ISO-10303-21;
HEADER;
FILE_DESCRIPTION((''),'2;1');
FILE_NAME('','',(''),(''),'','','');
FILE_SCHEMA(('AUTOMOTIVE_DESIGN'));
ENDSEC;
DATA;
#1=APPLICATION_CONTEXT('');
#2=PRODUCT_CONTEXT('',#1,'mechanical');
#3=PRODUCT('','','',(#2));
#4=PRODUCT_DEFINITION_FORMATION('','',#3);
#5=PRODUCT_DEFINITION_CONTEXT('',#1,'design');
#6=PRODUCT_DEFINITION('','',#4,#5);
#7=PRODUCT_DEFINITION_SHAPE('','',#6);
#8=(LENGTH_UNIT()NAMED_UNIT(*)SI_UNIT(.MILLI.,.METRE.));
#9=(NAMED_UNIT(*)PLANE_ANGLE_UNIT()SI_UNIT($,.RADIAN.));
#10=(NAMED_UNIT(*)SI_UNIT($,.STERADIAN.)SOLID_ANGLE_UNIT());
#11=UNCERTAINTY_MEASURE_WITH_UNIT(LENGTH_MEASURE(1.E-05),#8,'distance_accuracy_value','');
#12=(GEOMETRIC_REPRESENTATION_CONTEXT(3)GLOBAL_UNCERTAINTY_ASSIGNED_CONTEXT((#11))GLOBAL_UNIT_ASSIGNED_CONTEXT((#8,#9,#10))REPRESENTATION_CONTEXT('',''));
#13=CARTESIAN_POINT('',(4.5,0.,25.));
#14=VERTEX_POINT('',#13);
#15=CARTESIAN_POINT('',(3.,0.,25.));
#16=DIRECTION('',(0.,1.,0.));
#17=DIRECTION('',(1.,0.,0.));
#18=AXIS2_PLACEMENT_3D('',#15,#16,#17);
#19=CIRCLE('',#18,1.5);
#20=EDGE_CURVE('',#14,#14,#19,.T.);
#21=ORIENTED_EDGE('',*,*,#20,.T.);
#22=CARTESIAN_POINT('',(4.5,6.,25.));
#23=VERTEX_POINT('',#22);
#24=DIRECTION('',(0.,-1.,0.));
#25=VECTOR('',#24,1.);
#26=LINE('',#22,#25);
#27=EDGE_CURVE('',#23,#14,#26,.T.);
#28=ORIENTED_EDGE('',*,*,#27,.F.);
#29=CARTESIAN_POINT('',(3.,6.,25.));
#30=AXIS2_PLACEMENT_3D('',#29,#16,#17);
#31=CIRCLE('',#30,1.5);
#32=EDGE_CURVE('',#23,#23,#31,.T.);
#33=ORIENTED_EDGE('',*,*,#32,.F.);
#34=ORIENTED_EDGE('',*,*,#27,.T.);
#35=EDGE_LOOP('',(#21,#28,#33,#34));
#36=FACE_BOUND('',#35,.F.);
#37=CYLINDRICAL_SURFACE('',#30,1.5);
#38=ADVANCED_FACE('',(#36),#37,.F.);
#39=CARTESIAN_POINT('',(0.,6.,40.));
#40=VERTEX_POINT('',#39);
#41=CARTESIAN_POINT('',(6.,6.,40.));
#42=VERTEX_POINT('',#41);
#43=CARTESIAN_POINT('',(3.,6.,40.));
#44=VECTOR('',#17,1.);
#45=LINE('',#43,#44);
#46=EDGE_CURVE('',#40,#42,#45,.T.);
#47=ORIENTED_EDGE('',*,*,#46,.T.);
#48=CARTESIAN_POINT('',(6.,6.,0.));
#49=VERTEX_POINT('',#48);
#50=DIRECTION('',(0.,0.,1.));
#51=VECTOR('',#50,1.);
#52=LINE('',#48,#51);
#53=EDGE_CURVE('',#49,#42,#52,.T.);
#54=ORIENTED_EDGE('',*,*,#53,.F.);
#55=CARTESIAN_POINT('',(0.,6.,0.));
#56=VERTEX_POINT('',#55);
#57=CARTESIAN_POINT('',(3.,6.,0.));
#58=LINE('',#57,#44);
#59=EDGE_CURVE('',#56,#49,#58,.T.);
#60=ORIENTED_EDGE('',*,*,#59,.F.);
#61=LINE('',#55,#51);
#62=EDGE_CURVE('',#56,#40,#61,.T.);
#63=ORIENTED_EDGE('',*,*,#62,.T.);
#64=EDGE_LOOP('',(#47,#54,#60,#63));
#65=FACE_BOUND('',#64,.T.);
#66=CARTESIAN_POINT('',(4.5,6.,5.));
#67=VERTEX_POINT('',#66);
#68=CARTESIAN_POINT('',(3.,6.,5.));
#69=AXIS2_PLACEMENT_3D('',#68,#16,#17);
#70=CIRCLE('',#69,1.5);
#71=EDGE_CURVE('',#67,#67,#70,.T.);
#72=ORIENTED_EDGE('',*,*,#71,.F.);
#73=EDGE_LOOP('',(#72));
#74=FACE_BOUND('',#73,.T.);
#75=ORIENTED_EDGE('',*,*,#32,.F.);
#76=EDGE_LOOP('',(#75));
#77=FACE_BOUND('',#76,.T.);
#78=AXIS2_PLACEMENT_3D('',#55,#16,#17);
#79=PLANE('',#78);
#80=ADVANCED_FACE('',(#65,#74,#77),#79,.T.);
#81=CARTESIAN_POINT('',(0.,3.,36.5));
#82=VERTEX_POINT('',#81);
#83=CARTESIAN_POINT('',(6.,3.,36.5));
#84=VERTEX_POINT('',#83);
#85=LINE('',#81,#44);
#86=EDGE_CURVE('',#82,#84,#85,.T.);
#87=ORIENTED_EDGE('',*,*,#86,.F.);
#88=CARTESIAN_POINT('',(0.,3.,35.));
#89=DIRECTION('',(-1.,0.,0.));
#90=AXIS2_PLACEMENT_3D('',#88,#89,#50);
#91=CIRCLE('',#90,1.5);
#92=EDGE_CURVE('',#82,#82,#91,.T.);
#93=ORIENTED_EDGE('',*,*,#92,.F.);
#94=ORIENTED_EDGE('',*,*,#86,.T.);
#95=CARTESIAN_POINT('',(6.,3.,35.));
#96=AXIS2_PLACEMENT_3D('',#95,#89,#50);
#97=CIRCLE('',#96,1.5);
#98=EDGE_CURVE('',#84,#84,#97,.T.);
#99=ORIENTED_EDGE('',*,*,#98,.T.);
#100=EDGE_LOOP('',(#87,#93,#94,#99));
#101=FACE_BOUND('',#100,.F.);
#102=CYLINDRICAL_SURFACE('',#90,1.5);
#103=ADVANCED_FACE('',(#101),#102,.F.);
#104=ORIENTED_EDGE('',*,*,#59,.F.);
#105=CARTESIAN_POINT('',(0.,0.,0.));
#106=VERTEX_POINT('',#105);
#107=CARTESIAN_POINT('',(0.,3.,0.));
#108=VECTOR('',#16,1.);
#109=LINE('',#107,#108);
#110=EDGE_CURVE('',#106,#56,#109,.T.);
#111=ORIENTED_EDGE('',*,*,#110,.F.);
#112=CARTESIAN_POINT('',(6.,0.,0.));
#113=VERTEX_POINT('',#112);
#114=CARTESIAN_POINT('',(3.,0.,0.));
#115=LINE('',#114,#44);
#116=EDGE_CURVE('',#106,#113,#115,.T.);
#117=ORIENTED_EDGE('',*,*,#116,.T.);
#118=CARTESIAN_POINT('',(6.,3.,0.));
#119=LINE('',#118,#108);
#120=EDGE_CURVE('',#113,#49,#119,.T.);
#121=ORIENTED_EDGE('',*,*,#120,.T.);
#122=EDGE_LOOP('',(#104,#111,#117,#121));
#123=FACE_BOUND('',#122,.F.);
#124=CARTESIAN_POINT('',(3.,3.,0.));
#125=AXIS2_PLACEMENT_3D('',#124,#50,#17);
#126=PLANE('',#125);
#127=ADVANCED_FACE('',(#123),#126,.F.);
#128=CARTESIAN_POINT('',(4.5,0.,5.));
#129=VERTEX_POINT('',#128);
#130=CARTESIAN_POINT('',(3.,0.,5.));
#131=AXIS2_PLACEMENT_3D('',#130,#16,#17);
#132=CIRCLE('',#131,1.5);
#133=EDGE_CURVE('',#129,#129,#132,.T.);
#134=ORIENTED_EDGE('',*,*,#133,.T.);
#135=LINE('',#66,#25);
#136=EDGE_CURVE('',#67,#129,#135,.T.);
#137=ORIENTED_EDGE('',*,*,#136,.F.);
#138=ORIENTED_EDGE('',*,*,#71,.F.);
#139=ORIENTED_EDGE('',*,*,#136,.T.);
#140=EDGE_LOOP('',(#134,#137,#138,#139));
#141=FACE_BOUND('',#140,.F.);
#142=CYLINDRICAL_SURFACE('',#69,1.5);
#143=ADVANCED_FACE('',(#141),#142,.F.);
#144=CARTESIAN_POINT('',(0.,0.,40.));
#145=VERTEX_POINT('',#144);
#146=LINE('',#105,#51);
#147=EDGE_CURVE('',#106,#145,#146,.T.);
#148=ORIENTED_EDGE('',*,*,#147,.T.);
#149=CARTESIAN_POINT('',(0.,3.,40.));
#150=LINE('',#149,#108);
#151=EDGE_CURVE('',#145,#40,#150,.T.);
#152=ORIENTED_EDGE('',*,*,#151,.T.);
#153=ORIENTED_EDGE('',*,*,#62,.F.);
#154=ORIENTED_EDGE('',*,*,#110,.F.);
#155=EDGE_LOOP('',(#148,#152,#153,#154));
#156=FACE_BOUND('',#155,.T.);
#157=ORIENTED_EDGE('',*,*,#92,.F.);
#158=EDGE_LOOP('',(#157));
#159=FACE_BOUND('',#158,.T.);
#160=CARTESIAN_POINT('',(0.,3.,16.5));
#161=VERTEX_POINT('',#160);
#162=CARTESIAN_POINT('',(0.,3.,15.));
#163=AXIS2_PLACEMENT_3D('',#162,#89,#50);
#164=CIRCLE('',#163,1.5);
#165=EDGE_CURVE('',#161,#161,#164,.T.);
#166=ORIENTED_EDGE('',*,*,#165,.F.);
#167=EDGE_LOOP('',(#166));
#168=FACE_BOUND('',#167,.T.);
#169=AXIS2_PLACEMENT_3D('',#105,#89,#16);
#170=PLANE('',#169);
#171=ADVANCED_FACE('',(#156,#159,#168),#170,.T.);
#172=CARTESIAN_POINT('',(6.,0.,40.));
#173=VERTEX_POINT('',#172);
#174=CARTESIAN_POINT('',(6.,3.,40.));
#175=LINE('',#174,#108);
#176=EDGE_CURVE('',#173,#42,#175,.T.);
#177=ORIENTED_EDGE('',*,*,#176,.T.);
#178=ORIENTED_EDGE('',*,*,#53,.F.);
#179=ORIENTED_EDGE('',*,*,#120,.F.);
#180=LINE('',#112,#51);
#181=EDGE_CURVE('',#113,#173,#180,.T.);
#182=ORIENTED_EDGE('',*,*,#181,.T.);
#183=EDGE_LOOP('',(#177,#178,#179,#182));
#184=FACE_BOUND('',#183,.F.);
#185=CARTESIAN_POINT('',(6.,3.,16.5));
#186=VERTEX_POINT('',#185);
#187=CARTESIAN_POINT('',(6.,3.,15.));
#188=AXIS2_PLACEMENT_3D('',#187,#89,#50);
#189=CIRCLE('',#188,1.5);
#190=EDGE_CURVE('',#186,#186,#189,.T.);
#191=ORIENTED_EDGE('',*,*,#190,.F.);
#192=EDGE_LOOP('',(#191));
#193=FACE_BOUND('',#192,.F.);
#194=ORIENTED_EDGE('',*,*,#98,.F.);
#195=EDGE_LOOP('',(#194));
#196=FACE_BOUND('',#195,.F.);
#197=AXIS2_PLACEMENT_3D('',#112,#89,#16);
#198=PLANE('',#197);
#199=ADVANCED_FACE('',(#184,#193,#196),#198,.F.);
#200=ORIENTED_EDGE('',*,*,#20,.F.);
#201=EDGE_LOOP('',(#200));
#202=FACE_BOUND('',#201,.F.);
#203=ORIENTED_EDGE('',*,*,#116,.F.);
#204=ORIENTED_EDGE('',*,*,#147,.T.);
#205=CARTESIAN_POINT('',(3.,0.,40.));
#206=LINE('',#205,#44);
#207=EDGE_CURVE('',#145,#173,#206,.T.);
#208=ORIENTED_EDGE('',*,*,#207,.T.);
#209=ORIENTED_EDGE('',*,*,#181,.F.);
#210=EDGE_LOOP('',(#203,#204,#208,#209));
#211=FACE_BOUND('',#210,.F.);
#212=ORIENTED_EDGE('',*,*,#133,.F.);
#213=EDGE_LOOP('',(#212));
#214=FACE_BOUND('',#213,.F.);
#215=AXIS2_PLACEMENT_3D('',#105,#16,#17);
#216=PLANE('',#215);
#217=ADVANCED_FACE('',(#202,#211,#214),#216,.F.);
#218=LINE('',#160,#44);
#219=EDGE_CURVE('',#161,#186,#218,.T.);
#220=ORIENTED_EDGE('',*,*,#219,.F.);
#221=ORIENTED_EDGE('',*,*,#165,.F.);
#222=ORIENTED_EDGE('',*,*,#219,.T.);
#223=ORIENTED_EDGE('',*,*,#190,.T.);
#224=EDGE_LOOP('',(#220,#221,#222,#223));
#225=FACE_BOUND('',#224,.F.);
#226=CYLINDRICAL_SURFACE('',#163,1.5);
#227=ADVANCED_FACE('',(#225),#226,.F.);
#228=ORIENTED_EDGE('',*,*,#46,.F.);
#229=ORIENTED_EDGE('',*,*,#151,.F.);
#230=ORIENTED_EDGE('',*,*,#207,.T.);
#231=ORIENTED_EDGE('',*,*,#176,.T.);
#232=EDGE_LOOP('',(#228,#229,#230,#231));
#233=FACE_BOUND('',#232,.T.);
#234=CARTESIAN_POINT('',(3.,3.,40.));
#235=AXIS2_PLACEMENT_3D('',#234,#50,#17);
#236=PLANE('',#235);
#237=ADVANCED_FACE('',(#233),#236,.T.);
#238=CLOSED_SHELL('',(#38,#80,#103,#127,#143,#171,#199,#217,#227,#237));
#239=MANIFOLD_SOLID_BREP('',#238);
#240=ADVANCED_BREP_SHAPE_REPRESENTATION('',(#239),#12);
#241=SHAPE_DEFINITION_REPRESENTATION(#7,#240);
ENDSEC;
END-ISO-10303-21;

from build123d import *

# Parameters (mm, degrees)
SKETCH_1_W          = 6
SKETCH_1_H          = 6
EXTRUDE_1_DEPTH     = 40
SKETCH_2_R          = 1.5
CUT_EXTRUDE_1_DEPTH = 50
SKETCH_3_R          = 1.5
CUT_EXTRUDE_2_DEPTH = 50


with BuildPart() as part:
    # 草图1 → 凸台-拉伸1 (new body)
    with BuildSketch(Plane.XY):
        with Locations((3, 3)):
            Rectangle(SKETCH_1_W, SKETCH_1_H)
    extrude(amount=EXTRUDE_1_DEPTH)

    # 草图2 → 切除-拉伸1 (cut)
    with BuildSketch(Plane(origin=(0, 6, 0), x_dir=(1, 0, 0), z_dir=(0, 1, 0))):
        with Locations((3, -5)):
            Circle(SKETCH_2_R)
        with Locations((3, -25)):
            Circle(SKETCH_2_R)
    extrude(amount=-CUT_EXTRUDE_1_DEPTH, mode=Mode.SUBTRACT)

    # 草图3 → 切除-拉伸2 (cut)
    with BuildSketch(Plane.ZY):
        with Locations((35, 3)):
            Circle(SKETCH_3_R)
        with Locations((15, 3)):
            Circle(SKETCH_3_R)
    extrude(amount=-CUT_EXTRUDE_2_DEPTH, mode=Mode.SUBTRACT)


solid = part.part
